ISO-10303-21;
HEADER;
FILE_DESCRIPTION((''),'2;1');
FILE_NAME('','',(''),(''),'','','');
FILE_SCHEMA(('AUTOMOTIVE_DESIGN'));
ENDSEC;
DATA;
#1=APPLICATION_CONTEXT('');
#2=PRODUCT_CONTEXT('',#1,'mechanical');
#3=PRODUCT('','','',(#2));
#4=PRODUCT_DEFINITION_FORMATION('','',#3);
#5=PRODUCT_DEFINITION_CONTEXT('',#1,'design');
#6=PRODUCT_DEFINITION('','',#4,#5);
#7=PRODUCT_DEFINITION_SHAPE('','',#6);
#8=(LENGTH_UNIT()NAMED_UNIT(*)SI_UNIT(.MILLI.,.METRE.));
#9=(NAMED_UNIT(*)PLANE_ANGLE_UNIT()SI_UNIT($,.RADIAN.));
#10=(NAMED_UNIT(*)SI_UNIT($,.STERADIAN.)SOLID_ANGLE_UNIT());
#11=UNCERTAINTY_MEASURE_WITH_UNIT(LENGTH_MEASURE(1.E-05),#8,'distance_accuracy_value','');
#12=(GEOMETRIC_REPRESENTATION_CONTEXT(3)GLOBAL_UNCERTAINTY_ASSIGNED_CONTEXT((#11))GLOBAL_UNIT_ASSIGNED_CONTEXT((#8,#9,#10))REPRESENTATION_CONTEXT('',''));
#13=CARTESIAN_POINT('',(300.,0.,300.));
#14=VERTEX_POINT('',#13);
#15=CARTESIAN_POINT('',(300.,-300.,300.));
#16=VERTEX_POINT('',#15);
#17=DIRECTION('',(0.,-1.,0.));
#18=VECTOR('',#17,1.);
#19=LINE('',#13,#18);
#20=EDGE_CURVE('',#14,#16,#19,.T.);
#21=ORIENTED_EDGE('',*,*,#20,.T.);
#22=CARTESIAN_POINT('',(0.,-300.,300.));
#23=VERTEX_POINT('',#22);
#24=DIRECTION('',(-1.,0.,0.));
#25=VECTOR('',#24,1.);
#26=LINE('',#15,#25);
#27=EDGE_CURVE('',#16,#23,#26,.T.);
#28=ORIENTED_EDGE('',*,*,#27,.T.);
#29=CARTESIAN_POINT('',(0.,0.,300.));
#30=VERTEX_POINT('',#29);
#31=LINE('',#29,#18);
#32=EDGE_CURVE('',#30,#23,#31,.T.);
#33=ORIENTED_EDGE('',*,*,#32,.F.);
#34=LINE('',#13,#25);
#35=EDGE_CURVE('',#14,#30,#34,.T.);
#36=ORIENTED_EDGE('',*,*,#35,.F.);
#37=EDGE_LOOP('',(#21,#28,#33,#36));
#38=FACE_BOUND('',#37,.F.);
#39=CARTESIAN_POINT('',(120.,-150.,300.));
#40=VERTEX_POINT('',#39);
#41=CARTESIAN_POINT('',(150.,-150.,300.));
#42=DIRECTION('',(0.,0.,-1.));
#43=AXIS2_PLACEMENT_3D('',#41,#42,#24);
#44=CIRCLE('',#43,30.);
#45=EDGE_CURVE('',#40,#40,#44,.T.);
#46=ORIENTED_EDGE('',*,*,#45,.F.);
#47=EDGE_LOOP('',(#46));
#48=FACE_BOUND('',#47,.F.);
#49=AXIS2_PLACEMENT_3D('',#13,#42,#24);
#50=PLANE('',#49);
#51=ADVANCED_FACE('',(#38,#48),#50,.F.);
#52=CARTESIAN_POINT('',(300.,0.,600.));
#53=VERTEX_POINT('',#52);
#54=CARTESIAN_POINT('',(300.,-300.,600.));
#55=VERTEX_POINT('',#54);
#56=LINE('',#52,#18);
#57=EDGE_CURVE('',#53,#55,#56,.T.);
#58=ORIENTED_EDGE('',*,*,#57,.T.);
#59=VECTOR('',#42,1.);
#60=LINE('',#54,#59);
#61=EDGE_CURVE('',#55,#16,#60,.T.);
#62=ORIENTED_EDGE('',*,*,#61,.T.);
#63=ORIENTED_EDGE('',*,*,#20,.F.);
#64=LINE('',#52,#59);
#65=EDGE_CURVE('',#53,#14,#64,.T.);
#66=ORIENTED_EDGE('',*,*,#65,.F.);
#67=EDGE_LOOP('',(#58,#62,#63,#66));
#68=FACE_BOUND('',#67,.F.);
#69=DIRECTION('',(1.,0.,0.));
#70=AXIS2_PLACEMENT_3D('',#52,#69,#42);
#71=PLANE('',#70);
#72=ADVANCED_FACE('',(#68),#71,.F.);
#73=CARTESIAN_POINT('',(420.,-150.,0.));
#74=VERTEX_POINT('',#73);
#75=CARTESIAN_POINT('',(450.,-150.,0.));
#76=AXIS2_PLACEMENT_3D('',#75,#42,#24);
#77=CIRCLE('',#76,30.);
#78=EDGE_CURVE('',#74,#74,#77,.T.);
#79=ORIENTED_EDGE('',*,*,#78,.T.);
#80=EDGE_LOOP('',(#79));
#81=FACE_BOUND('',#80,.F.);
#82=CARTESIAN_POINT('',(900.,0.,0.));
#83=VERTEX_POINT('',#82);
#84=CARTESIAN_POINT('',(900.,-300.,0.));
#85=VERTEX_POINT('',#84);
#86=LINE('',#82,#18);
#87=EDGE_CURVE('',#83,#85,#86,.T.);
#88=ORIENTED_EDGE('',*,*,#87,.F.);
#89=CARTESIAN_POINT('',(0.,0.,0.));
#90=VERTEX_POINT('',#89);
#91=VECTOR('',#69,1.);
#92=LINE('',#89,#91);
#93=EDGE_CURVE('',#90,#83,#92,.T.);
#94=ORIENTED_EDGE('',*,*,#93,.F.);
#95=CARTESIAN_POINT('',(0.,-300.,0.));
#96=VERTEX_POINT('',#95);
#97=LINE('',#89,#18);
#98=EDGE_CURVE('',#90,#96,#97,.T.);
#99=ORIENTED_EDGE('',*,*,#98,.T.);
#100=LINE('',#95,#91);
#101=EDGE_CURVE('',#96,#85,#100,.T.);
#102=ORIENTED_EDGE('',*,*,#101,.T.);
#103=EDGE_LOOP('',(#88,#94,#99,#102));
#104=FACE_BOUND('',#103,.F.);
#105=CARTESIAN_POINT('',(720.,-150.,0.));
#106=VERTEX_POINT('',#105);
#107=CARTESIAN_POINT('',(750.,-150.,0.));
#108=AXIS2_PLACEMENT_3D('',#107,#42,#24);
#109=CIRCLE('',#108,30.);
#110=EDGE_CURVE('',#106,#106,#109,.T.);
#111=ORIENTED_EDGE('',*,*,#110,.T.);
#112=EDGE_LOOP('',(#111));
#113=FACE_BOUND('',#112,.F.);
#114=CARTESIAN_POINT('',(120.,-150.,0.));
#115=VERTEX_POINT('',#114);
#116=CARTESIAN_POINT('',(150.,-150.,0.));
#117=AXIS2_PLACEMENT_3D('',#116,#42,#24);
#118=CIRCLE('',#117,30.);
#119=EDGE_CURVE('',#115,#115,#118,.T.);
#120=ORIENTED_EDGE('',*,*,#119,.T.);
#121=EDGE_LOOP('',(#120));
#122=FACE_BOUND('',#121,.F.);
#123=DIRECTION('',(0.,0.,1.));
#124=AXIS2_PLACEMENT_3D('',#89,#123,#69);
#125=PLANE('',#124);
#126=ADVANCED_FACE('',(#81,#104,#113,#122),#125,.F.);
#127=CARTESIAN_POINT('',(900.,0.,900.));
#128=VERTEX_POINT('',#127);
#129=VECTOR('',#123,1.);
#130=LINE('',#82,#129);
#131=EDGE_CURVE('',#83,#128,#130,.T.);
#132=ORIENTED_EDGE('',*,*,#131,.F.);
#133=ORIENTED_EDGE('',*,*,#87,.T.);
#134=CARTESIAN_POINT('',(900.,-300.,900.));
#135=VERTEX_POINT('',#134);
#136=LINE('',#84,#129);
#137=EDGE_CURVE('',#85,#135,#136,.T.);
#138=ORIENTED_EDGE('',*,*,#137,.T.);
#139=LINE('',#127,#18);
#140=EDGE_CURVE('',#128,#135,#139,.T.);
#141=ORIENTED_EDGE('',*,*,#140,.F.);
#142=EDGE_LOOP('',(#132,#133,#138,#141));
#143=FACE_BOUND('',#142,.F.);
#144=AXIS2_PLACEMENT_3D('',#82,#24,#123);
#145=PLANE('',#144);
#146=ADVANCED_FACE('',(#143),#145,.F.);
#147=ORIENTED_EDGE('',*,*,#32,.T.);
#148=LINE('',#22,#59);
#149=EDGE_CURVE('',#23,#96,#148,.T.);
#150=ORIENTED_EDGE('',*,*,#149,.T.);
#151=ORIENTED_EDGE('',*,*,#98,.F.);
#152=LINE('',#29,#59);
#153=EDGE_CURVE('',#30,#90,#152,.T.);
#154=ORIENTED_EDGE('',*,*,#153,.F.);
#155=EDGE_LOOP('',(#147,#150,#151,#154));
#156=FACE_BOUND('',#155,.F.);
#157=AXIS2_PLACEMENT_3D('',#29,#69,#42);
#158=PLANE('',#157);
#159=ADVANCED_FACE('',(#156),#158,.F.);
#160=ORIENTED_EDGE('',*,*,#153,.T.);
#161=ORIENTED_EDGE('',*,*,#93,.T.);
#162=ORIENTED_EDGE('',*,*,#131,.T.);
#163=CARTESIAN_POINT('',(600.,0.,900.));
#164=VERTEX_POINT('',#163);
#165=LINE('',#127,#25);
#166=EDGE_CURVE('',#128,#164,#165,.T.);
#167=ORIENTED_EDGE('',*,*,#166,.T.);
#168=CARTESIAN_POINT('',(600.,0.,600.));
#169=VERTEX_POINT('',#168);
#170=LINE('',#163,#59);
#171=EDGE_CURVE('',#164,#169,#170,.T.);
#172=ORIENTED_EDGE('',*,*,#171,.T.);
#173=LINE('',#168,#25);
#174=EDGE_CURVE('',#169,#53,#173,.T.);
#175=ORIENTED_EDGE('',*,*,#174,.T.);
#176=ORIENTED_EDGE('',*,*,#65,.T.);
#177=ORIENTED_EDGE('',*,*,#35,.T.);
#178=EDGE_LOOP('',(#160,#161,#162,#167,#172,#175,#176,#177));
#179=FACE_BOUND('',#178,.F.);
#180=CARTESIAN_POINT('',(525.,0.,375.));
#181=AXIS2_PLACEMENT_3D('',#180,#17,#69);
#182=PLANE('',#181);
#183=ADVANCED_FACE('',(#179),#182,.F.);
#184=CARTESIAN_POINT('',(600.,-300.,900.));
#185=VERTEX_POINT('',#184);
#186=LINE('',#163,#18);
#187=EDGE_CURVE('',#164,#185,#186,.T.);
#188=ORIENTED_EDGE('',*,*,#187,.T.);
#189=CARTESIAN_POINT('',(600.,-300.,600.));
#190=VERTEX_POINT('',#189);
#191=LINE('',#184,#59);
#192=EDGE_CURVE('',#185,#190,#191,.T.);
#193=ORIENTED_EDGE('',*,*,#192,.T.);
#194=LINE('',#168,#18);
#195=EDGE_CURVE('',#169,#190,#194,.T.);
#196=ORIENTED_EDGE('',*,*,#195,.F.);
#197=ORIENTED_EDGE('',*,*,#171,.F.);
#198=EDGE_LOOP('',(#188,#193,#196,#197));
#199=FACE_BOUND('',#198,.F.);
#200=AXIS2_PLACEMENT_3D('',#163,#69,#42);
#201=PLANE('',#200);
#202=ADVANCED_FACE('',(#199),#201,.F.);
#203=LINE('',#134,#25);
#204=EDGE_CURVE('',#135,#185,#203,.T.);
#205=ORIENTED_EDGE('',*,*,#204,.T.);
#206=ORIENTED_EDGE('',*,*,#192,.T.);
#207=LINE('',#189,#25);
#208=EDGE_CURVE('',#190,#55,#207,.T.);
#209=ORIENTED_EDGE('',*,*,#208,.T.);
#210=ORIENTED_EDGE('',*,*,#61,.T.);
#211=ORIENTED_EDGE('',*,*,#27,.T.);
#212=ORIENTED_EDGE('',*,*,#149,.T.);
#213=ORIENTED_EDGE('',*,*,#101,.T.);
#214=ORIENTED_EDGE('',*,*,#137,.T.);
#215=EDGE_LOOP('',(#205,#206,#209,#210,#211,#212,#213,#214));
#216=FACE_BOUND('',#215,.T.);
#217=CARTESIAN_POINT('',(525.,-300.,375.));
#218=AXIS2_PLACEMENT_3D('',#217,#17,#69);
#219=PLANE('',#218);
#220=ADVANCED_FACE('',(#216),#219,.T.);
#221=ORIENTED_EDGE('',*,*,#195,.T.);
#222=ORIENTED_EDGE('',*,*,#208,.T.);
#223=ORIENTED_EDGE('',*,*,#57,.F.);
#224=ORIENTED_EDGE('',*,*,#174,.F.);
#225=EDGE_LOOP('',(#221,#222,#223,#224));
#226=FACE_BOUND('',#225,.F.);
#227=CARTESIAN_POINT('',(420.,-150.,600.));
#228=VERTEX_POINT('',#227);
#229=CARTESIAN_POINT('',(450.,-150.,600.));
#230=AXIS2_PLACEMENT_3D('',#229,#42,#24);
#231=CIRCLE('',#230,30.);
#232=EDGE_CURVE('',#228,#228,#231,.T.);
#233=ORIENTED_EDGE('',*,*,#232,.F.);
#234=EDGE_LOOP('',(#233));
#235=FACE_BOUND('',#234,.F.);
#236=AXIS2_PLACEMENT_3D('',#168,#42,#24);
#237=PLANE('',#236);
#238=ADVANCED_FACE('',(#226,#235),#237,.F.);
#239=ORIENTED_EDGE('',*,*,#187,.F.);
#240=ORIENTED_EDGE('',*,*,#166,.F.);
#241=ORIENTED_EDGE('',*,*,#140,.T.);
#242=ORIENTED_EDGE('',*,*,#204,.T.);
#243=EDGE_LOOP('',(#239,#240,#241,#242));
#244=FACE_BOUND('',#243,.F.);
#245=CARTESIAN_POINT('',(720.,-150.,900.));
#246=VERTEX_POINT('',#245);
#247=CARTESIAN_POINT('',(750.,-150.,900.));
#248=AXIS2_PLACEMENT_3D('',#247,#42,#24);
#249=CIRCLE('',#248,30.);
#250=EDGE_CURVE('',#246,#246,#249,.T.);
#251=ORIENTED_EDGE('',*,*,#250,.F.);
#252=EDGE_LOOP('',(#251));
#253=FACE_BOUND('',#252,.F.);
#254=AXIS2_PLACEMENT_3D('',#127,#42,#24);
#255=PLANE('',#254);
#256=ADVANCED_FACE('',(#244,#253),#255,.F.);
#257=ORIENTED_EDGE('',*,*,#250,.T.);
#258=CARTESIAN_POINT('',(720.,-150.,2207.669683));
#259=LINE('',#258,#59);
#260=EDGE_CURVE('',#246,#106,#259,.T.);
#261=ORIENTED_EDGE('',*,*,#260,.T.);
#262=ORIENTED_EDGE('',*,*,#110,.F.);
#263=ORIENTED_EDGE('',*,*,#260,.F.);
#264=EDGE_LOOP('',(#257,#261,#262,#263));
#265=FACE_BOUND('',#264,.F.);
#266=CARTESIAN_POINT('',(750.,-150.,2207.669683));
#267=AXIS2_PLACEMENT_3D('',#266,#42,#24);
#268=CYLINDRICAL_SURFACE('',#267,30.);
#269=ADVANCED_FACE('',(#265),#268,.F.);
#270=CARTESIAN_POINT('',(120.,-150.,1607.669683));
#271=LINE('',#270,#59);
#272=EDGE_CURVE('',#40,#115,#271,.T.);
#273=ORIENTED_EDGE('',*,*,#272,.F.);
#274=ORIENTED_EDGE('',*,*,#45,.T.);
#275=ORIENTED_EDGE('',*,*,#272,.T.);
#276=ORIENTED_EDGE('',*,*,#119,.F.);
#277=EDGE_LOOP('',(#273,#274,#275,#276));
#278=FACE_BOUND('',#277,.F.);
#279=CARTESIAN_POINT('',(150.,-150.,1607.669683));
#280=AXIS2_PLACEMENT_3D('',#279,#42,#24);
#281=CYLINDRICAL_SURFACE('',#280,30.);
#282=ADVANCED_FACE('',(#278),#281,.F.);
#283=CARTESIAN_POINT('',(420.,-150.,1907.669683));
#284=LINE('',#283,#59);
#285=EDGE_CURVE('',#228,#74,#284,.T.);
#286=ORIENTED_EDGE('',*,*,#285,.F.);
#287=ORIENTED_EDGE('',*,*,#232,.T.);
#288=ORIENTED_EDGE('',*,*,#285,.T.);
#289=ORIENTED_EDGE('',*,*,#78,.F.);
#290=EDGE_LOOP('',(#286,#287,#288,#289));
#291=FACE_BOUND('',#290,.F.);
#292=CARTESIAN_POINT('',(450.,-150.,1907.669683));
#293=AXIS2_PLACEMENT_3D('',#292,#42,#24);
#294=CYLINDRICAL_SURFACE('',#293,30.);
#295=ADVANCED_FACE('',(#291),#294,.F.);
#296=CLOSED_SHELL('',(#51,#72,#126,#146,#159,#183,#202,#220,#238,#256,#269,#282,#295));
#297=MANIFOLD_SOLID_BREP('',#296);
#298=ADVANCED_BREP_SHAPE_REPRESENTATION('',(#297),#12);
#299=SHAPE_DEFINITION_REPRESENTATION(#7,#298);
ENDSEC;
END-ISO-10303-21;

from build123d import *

# Parameters (mm, degrees)
F1_DEPTH = 300
F3_D     = 60
F6_D     = 60
F7_D     = 60


with BuildPart() as f1:
    # F0 (on Front) → F1 (new body)
    with BuildSketch(Plane.XZ):
        Polygon((0, 300), (0, 0), (900, 0), (900, 900), (600, 900), (600, 600), (300, 600), (300, 300), align=None)
    extrude(amount=F1_DEPTH)

    # F3 (through all)
    with Locations(Plane.XY.offset(900)):
        with Locations((750, -150)):
            Hole(F3_D / 2)

    # F6 (through all)
    with Locations(Plane.XY.offset(300)):
        with Locations((150, -150)):
            Hole(F6_D / 2)

    # F7 (through all)
    with Locations(Plane.XY.offset(600)):
        with Locations((450, -150)):
            Hole(F7_D / 2)


solid = f1.part
